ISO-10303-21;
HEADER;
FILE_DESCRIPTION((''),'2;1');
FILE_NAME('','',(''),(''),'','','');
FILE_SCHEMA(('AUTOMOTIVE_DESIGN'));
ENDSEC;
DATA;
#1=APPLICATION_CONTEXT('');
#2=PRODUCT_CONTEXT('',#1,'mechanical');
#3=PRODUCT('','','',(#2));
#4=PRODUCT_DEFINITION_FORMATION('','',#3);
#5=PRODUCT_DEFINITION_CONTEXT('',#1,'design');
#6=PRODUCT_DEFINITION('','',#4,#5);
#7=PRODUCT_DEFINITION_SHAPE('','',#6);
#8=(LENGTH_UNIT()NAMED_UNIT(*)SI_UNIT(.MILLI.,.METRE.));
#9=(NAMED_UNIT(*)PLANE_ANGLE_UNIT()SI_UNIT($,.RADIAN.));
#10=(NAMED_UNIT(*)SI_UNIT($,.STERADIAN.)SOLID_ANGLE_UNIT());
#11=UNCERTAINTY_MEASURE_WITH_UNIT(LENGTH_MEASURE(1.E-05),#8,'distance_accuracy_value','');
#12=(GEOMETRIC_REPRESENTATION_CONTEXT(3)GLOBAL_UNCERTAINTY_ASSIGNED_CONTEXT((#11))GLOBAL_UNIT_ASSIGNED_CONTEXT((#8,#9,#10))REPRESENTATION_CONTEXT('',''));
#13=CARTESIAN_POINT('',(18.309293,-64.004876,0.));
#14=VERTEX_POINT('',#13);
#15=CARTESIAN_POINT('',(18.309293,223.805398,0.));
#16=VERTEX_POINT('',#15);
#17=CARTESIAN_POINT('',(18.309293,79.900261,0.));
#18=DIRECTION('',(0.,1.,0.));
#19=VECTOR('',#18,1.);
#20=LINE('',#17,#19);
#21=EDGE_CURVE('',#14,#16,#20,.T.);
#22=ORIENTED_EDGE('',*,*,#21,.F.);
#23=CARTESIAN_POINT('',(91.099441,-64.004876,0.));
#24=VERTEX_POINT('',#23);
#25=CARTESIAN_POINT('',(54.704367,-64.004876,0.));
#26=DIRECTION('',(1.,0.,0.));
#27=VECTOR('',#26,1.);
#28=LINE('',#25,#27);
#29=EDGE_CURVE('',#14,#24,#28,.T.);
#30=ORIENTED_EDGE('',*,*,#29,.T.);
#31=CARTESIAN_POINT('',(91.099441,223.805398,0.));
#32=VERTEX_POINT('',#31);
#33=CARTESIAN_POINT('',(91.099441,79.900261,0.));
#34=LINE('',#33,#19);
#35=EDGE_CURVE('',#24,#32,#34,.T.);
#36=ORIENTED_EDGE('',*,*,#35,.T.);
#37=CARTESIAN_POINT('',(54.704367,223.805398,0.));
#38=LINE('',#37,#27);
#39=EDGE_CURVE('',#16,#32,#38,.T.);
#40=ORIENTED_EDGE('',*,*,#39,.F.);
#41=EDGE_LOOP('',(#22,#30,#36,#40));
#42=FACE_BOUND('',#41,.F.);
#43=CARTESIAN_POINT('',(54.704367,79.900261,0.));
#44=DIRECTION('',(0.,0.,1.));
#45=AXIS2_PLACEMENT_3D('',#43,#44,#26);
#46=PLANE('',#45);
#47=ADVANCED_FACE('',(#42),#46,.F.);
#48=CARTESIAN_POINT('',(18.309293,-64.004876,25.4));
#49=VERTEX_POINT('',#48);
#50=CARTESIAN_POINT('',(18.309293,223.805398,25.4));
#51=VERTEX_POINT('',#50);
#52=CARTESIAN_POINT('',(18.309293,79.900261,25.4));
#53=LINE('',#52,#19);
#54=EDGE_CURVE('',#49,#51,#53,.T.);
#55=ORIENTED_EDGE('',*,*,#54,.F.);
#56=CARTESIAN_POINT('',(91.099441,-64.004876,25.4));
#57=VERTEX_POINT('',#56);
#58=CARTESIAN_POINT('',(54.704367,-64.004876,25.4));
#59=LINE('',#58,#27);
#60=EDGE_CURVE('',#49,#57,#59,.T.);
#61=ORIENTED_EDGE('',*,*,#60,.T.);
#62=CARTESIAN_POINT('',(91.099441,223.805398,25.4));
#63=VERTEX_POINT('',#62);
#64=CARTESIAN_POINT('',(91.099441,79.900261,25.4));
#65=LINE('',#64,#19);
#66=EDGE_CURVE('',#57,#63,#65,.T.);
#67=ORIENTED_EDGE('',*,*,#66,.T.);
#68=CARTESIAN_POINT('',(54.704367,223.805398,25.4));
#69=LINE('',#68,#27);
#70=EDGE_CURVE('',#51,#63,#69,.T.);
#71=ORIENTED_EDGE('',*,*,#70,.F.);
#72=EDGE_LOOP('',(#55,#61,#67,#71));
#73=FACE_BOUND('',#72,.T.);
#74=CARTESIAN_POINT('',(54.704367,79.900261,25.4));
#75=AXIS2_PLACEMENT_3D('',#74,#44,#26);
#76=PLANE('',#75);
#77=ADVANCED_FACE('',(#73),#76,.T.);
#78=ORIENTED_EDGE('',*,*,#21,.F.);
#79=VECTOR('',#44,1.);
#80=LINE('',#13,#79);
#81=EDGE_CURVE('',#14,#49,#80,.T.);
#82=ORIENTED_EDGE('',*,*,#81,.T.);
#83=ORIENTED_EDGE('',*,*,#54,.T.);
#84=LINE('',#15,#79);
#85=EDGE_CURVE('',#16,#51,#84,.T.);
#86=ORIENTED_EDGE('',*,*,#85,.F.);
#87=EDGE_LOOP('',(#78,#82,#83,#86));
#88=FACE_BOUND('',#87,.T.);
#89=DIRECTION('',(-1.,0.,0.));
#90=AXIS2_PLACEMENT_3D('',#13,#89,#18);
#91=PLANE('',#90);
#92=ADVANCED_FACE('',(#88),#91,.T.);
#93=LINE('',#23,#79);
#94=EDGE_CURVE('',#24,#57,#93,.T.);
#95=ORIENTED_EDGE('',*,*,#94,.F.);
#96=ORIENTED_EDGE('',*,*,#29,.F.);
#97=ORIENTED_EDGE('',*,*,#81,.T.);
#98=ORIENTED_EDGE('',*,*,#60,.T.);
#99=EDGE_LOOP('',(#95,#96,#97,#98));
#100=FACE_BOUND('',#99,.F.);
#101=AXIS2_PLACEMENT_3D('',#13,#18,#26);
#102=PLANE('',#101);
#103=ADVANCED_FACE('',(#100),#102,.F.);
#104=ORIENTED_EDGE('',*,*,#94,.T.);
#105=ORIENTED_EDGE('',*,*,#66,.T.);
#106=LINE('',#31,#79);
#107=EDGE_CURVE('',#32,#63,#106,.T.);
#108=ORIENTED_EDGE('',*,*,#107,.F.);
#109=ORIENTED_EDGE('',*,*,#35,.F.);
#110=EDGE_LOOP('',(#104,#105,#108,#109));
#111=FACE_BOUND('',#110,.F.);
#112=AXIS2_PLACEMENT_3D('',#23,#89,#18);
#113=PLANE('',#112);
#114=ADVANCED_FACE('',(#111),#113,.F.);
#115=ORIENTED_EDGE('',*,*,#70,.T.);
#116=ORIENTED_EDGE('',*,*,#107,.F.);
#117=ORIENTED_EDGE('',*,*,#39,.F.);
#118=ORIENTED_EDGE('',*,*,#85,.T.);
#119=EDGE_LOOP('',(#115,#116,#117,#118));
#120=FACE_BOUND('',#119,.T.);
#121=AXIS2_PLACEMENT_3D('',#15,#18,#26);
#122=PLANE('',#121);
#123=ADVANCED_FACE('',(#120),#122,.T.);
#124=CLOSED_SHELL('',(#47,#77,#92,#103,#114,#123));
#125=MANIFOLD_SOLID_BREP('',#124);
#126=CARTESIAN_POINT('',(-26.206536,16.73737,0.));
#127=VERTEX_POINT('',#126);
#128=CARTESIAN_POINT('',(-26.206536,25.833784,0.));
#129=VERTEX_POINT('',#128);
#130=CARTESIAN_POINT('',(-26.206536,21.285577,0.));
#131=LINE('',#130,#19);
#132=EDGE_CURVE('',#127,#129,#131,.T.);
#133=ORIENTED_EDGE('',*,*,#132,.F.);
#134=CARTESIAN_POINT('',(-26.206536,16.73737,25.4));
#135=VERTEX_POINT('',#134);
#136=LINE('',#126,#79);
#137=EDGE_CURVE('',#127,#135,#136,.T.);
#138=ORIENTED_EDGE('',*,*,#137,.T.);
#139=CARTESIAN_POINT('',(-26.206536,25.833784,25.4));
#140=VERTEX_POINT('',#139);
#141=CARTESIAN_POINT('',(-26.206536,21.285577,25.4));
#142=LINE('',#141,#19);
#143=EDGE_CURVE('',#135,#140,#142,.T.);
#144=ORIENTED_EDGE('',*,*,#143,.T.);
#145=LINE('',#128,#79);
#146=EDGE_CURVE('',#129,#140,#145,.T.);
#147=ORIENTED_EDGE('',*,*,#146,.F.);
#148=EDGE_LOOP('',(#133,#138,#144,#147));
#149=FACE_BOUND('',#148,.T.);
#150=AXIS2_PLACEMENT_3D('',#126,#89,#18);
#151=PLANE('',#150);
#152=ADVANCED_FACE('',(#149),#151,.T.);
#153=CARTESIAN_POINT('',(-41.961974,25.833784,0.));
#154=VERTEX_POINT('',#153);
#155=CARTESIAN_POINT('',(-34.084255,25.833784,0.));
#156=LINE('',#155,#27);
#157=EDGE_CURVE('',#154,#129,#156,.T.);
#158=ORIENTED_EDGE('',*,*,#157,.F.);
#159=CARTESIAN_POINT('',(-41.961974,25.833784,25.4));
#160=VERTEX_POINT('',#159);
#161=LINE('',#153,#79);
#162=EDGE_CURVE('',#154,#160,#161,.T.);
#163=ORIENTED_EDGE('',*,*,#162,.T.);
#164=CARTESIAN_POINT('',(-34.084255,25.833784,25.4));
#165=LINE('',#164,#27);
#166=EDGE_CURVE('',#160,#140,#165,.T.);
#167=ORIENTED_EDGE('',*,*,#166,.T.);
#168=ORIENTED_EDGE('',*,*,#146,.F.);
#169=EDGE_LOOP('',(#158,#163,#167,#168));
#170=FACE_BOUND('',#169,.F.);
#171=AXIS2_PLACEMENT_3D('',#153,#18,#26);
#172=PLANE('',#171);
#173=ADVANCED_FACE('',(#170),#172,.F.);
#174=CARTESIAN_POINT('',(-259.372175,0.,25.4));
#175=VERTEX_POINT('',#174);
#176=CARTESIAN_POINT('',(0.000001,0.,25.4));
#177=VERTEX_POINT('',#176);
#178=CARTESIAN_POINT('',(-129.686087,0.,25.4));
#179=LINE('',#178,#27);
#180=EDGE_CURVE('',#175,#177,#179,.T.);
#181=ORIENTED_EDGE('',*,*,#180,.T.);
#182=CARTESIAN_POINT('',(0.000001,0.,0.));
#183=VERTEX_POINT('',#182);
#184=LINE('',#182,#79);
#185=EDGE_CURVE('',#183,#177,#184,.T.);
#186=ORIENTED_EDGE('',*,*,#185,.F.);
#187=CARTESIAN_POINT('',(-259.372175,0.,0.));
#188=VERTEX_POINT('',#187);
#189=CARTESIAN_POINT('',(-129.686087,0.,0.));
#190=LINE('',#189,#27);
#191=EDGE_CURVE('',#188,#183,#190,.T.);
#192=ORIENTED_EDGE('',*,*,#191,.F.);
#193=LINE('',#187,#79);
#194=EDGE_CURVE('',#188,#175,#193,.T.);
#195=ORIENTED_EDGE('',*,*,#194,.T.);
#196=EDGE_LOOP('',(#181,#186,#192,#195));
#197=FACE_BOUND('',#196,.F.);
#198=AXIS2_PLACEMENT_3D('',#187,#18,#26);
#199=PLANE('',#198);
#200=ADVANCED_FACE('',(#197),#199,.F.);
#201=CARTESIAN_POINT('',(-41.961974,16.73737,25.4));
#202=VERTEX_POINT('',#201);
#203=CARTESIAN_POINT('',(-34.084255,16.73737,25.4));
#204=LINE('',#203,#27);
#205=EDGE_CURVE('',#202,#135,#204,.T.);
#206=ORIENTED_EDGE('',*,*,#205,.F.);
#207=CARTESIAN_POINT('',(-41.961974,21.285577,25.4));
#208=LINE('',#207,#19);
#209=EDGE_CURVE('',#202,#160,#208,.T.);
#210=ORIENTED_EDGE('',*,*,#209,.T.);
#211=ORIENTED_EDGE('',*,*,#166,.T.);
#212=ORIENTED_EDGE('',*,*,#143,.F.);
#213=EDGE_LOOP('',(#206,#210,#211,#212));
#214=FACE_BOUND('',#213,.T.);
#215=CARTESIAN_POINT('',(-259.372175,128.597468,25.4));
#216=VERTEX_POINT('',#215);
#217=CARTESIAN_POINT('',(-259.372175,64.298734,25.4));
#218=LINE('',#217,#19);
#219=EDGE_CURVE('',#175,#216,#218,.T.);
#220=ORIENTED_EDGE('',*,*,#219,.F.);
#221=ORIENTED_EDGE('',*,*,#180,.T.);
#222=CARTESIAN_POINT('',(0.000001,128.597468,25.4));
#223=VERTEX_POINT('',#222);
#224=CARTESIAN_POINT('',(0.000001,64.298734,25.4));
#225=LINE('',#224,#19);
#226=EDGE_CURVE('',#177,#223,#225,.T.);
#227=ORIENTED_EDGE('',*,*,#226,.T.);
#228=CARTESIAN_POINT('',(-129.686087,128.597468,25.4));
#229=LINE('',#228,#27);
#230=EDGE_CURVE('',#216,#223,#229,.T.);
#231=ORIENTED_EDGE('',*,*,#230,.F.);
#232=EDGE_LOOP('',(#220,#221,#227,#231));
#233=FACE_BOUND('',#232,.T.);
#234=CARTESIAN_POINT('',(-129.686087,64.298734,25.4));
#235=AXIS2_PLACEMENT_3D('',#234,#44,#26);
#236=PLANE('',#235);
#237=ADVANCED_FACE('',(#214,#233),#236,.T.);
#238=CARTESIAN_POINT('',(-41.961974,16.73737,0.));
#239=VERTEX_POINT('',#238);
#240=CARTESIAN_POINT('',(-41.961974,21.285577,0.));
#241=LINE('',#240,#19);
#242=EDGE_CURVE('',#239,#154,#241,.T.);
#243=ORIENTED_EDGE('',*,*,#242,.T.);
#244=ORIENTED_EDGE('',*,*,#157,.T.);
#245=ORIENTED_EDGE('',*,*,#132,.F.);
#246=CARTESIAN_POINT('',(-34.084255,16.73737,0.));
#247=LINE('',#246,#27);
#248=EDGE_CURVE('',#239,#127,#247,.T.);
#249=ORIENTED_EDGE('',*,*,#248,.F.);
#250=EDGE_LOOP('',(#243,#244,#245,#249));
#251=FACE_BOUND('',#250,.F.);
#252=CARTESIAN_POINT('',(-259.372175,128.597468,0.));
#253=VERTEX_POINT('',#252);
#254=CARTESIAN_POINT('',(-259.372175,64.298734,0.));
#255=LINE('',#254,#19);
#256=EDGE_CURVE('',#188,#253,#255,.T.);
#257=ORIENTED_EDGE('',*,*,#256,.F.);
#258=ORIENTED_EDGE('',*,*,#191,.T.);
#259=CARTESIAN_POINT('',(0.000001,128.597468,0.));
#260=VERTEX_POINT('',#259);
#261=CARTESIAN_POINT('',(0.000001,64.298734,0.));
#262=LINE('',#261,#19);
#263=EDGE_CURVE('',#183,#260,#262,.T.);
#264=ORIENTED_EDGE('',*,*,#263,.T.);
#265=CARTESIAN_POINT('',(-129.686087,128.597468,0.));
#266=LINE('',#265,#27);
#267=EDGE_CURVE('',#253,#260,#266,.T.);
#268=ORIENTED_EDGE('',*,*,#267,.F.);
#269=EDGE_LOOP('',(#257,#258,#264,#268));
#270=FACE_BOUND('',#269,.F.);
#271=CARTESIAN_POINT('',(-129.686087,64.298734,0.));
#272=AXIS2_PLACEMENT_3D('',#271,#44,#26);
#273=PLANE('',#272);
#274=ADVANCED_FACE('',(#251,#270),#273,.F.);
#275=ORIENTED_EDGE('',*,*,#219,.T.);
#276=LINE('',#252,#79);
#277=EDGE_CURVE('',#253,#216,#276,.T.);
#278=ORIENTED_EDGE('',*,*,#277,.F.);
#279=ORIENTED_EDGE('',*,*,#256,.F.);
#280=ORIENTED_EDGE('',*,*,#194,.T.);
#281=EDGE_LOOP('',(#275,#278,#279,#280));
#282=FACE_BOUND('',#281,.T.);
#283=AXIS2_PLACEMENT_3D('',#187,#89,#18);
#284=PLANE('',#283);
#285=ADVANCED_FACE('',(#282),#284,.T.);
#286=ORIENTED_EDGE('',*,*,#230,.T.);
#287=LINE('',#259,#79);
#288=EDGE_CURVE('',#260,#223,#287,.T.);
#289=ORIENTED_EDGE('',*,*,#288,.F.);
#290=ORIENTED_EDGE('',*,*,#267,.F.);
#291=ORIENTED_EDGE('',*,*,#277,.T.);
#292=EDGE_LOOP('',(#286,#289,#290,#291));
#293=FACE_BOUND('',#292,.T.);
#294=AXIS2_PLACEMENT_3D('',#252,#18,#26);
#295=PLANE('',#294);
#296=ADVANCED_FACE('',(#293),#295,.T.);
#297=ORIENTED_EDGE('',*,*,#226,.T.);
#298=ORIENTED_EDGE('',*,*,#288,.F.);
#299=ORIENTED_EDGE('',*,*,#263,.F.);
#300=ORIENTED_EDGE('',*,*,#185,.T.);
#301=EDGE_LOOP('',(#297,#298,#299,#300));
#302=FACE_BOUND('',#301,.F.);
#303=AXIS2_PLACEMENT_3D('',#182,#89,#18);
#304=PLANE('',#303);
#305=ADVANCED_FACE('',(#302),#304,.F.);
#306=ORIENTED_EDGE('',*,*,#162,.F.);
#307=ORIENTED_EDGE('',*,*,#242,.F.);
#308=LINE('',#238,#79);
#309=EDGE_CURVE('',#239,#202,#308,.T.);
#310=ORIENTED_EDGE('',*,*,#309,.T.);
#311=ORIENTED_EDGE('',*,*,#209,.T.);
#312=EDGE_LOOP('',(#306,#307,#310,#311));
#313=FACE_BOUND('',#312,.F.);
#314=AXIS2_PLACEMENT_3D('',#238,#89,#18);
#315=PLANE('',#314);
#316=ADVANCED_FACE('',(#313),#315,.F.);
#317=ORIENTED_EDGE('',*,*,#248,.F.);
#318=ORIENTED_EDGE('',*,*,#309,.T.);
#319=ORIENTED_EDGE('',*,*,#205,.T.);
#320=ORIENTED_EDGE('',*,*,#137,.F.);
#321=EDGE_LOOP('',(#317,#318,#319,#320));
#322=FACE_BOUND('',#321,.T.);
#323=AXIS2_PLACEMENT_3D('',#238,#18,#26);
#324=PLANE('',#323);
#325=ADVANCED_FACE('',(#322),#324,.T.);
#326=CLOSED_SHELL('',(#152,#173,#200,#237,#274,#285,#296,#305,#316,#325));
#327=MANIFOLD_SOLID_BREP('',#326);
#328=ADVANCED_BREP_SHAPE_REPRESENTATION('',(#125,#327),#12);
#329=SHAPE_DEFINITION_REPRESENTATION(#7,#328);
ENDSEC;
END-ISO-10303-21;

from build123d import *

# Parameters (mm, degrees)
F0_W     = 259.372175
F0_H     = 128.597468
F0_W_2   = 15.755439
F0_H_2   = 9.096414
F0_W_3   = 72.790148
F0_H_3   = 287.810274
F1_DEPTH = 25.4


with BuildPart() as f1:
    # F0 (on Top) → F1 (new body)
    with BuildSketch(Plane.XY):
        with Locations((-129.686087, 64.298734)):
            Rectangle(F0_W, F0_H)
        with Locations((-34.084255, 21.285577)):
            Rectangle(F0_W_2, F0_H_2, mode=Mode.SUBTRACT)
        with Locations((54.704367, 79.900261)):
            Rectangle(F0_W_3, F0_H_3)
    extrude(amount=F1_DEPTH)


solid = f1.part
